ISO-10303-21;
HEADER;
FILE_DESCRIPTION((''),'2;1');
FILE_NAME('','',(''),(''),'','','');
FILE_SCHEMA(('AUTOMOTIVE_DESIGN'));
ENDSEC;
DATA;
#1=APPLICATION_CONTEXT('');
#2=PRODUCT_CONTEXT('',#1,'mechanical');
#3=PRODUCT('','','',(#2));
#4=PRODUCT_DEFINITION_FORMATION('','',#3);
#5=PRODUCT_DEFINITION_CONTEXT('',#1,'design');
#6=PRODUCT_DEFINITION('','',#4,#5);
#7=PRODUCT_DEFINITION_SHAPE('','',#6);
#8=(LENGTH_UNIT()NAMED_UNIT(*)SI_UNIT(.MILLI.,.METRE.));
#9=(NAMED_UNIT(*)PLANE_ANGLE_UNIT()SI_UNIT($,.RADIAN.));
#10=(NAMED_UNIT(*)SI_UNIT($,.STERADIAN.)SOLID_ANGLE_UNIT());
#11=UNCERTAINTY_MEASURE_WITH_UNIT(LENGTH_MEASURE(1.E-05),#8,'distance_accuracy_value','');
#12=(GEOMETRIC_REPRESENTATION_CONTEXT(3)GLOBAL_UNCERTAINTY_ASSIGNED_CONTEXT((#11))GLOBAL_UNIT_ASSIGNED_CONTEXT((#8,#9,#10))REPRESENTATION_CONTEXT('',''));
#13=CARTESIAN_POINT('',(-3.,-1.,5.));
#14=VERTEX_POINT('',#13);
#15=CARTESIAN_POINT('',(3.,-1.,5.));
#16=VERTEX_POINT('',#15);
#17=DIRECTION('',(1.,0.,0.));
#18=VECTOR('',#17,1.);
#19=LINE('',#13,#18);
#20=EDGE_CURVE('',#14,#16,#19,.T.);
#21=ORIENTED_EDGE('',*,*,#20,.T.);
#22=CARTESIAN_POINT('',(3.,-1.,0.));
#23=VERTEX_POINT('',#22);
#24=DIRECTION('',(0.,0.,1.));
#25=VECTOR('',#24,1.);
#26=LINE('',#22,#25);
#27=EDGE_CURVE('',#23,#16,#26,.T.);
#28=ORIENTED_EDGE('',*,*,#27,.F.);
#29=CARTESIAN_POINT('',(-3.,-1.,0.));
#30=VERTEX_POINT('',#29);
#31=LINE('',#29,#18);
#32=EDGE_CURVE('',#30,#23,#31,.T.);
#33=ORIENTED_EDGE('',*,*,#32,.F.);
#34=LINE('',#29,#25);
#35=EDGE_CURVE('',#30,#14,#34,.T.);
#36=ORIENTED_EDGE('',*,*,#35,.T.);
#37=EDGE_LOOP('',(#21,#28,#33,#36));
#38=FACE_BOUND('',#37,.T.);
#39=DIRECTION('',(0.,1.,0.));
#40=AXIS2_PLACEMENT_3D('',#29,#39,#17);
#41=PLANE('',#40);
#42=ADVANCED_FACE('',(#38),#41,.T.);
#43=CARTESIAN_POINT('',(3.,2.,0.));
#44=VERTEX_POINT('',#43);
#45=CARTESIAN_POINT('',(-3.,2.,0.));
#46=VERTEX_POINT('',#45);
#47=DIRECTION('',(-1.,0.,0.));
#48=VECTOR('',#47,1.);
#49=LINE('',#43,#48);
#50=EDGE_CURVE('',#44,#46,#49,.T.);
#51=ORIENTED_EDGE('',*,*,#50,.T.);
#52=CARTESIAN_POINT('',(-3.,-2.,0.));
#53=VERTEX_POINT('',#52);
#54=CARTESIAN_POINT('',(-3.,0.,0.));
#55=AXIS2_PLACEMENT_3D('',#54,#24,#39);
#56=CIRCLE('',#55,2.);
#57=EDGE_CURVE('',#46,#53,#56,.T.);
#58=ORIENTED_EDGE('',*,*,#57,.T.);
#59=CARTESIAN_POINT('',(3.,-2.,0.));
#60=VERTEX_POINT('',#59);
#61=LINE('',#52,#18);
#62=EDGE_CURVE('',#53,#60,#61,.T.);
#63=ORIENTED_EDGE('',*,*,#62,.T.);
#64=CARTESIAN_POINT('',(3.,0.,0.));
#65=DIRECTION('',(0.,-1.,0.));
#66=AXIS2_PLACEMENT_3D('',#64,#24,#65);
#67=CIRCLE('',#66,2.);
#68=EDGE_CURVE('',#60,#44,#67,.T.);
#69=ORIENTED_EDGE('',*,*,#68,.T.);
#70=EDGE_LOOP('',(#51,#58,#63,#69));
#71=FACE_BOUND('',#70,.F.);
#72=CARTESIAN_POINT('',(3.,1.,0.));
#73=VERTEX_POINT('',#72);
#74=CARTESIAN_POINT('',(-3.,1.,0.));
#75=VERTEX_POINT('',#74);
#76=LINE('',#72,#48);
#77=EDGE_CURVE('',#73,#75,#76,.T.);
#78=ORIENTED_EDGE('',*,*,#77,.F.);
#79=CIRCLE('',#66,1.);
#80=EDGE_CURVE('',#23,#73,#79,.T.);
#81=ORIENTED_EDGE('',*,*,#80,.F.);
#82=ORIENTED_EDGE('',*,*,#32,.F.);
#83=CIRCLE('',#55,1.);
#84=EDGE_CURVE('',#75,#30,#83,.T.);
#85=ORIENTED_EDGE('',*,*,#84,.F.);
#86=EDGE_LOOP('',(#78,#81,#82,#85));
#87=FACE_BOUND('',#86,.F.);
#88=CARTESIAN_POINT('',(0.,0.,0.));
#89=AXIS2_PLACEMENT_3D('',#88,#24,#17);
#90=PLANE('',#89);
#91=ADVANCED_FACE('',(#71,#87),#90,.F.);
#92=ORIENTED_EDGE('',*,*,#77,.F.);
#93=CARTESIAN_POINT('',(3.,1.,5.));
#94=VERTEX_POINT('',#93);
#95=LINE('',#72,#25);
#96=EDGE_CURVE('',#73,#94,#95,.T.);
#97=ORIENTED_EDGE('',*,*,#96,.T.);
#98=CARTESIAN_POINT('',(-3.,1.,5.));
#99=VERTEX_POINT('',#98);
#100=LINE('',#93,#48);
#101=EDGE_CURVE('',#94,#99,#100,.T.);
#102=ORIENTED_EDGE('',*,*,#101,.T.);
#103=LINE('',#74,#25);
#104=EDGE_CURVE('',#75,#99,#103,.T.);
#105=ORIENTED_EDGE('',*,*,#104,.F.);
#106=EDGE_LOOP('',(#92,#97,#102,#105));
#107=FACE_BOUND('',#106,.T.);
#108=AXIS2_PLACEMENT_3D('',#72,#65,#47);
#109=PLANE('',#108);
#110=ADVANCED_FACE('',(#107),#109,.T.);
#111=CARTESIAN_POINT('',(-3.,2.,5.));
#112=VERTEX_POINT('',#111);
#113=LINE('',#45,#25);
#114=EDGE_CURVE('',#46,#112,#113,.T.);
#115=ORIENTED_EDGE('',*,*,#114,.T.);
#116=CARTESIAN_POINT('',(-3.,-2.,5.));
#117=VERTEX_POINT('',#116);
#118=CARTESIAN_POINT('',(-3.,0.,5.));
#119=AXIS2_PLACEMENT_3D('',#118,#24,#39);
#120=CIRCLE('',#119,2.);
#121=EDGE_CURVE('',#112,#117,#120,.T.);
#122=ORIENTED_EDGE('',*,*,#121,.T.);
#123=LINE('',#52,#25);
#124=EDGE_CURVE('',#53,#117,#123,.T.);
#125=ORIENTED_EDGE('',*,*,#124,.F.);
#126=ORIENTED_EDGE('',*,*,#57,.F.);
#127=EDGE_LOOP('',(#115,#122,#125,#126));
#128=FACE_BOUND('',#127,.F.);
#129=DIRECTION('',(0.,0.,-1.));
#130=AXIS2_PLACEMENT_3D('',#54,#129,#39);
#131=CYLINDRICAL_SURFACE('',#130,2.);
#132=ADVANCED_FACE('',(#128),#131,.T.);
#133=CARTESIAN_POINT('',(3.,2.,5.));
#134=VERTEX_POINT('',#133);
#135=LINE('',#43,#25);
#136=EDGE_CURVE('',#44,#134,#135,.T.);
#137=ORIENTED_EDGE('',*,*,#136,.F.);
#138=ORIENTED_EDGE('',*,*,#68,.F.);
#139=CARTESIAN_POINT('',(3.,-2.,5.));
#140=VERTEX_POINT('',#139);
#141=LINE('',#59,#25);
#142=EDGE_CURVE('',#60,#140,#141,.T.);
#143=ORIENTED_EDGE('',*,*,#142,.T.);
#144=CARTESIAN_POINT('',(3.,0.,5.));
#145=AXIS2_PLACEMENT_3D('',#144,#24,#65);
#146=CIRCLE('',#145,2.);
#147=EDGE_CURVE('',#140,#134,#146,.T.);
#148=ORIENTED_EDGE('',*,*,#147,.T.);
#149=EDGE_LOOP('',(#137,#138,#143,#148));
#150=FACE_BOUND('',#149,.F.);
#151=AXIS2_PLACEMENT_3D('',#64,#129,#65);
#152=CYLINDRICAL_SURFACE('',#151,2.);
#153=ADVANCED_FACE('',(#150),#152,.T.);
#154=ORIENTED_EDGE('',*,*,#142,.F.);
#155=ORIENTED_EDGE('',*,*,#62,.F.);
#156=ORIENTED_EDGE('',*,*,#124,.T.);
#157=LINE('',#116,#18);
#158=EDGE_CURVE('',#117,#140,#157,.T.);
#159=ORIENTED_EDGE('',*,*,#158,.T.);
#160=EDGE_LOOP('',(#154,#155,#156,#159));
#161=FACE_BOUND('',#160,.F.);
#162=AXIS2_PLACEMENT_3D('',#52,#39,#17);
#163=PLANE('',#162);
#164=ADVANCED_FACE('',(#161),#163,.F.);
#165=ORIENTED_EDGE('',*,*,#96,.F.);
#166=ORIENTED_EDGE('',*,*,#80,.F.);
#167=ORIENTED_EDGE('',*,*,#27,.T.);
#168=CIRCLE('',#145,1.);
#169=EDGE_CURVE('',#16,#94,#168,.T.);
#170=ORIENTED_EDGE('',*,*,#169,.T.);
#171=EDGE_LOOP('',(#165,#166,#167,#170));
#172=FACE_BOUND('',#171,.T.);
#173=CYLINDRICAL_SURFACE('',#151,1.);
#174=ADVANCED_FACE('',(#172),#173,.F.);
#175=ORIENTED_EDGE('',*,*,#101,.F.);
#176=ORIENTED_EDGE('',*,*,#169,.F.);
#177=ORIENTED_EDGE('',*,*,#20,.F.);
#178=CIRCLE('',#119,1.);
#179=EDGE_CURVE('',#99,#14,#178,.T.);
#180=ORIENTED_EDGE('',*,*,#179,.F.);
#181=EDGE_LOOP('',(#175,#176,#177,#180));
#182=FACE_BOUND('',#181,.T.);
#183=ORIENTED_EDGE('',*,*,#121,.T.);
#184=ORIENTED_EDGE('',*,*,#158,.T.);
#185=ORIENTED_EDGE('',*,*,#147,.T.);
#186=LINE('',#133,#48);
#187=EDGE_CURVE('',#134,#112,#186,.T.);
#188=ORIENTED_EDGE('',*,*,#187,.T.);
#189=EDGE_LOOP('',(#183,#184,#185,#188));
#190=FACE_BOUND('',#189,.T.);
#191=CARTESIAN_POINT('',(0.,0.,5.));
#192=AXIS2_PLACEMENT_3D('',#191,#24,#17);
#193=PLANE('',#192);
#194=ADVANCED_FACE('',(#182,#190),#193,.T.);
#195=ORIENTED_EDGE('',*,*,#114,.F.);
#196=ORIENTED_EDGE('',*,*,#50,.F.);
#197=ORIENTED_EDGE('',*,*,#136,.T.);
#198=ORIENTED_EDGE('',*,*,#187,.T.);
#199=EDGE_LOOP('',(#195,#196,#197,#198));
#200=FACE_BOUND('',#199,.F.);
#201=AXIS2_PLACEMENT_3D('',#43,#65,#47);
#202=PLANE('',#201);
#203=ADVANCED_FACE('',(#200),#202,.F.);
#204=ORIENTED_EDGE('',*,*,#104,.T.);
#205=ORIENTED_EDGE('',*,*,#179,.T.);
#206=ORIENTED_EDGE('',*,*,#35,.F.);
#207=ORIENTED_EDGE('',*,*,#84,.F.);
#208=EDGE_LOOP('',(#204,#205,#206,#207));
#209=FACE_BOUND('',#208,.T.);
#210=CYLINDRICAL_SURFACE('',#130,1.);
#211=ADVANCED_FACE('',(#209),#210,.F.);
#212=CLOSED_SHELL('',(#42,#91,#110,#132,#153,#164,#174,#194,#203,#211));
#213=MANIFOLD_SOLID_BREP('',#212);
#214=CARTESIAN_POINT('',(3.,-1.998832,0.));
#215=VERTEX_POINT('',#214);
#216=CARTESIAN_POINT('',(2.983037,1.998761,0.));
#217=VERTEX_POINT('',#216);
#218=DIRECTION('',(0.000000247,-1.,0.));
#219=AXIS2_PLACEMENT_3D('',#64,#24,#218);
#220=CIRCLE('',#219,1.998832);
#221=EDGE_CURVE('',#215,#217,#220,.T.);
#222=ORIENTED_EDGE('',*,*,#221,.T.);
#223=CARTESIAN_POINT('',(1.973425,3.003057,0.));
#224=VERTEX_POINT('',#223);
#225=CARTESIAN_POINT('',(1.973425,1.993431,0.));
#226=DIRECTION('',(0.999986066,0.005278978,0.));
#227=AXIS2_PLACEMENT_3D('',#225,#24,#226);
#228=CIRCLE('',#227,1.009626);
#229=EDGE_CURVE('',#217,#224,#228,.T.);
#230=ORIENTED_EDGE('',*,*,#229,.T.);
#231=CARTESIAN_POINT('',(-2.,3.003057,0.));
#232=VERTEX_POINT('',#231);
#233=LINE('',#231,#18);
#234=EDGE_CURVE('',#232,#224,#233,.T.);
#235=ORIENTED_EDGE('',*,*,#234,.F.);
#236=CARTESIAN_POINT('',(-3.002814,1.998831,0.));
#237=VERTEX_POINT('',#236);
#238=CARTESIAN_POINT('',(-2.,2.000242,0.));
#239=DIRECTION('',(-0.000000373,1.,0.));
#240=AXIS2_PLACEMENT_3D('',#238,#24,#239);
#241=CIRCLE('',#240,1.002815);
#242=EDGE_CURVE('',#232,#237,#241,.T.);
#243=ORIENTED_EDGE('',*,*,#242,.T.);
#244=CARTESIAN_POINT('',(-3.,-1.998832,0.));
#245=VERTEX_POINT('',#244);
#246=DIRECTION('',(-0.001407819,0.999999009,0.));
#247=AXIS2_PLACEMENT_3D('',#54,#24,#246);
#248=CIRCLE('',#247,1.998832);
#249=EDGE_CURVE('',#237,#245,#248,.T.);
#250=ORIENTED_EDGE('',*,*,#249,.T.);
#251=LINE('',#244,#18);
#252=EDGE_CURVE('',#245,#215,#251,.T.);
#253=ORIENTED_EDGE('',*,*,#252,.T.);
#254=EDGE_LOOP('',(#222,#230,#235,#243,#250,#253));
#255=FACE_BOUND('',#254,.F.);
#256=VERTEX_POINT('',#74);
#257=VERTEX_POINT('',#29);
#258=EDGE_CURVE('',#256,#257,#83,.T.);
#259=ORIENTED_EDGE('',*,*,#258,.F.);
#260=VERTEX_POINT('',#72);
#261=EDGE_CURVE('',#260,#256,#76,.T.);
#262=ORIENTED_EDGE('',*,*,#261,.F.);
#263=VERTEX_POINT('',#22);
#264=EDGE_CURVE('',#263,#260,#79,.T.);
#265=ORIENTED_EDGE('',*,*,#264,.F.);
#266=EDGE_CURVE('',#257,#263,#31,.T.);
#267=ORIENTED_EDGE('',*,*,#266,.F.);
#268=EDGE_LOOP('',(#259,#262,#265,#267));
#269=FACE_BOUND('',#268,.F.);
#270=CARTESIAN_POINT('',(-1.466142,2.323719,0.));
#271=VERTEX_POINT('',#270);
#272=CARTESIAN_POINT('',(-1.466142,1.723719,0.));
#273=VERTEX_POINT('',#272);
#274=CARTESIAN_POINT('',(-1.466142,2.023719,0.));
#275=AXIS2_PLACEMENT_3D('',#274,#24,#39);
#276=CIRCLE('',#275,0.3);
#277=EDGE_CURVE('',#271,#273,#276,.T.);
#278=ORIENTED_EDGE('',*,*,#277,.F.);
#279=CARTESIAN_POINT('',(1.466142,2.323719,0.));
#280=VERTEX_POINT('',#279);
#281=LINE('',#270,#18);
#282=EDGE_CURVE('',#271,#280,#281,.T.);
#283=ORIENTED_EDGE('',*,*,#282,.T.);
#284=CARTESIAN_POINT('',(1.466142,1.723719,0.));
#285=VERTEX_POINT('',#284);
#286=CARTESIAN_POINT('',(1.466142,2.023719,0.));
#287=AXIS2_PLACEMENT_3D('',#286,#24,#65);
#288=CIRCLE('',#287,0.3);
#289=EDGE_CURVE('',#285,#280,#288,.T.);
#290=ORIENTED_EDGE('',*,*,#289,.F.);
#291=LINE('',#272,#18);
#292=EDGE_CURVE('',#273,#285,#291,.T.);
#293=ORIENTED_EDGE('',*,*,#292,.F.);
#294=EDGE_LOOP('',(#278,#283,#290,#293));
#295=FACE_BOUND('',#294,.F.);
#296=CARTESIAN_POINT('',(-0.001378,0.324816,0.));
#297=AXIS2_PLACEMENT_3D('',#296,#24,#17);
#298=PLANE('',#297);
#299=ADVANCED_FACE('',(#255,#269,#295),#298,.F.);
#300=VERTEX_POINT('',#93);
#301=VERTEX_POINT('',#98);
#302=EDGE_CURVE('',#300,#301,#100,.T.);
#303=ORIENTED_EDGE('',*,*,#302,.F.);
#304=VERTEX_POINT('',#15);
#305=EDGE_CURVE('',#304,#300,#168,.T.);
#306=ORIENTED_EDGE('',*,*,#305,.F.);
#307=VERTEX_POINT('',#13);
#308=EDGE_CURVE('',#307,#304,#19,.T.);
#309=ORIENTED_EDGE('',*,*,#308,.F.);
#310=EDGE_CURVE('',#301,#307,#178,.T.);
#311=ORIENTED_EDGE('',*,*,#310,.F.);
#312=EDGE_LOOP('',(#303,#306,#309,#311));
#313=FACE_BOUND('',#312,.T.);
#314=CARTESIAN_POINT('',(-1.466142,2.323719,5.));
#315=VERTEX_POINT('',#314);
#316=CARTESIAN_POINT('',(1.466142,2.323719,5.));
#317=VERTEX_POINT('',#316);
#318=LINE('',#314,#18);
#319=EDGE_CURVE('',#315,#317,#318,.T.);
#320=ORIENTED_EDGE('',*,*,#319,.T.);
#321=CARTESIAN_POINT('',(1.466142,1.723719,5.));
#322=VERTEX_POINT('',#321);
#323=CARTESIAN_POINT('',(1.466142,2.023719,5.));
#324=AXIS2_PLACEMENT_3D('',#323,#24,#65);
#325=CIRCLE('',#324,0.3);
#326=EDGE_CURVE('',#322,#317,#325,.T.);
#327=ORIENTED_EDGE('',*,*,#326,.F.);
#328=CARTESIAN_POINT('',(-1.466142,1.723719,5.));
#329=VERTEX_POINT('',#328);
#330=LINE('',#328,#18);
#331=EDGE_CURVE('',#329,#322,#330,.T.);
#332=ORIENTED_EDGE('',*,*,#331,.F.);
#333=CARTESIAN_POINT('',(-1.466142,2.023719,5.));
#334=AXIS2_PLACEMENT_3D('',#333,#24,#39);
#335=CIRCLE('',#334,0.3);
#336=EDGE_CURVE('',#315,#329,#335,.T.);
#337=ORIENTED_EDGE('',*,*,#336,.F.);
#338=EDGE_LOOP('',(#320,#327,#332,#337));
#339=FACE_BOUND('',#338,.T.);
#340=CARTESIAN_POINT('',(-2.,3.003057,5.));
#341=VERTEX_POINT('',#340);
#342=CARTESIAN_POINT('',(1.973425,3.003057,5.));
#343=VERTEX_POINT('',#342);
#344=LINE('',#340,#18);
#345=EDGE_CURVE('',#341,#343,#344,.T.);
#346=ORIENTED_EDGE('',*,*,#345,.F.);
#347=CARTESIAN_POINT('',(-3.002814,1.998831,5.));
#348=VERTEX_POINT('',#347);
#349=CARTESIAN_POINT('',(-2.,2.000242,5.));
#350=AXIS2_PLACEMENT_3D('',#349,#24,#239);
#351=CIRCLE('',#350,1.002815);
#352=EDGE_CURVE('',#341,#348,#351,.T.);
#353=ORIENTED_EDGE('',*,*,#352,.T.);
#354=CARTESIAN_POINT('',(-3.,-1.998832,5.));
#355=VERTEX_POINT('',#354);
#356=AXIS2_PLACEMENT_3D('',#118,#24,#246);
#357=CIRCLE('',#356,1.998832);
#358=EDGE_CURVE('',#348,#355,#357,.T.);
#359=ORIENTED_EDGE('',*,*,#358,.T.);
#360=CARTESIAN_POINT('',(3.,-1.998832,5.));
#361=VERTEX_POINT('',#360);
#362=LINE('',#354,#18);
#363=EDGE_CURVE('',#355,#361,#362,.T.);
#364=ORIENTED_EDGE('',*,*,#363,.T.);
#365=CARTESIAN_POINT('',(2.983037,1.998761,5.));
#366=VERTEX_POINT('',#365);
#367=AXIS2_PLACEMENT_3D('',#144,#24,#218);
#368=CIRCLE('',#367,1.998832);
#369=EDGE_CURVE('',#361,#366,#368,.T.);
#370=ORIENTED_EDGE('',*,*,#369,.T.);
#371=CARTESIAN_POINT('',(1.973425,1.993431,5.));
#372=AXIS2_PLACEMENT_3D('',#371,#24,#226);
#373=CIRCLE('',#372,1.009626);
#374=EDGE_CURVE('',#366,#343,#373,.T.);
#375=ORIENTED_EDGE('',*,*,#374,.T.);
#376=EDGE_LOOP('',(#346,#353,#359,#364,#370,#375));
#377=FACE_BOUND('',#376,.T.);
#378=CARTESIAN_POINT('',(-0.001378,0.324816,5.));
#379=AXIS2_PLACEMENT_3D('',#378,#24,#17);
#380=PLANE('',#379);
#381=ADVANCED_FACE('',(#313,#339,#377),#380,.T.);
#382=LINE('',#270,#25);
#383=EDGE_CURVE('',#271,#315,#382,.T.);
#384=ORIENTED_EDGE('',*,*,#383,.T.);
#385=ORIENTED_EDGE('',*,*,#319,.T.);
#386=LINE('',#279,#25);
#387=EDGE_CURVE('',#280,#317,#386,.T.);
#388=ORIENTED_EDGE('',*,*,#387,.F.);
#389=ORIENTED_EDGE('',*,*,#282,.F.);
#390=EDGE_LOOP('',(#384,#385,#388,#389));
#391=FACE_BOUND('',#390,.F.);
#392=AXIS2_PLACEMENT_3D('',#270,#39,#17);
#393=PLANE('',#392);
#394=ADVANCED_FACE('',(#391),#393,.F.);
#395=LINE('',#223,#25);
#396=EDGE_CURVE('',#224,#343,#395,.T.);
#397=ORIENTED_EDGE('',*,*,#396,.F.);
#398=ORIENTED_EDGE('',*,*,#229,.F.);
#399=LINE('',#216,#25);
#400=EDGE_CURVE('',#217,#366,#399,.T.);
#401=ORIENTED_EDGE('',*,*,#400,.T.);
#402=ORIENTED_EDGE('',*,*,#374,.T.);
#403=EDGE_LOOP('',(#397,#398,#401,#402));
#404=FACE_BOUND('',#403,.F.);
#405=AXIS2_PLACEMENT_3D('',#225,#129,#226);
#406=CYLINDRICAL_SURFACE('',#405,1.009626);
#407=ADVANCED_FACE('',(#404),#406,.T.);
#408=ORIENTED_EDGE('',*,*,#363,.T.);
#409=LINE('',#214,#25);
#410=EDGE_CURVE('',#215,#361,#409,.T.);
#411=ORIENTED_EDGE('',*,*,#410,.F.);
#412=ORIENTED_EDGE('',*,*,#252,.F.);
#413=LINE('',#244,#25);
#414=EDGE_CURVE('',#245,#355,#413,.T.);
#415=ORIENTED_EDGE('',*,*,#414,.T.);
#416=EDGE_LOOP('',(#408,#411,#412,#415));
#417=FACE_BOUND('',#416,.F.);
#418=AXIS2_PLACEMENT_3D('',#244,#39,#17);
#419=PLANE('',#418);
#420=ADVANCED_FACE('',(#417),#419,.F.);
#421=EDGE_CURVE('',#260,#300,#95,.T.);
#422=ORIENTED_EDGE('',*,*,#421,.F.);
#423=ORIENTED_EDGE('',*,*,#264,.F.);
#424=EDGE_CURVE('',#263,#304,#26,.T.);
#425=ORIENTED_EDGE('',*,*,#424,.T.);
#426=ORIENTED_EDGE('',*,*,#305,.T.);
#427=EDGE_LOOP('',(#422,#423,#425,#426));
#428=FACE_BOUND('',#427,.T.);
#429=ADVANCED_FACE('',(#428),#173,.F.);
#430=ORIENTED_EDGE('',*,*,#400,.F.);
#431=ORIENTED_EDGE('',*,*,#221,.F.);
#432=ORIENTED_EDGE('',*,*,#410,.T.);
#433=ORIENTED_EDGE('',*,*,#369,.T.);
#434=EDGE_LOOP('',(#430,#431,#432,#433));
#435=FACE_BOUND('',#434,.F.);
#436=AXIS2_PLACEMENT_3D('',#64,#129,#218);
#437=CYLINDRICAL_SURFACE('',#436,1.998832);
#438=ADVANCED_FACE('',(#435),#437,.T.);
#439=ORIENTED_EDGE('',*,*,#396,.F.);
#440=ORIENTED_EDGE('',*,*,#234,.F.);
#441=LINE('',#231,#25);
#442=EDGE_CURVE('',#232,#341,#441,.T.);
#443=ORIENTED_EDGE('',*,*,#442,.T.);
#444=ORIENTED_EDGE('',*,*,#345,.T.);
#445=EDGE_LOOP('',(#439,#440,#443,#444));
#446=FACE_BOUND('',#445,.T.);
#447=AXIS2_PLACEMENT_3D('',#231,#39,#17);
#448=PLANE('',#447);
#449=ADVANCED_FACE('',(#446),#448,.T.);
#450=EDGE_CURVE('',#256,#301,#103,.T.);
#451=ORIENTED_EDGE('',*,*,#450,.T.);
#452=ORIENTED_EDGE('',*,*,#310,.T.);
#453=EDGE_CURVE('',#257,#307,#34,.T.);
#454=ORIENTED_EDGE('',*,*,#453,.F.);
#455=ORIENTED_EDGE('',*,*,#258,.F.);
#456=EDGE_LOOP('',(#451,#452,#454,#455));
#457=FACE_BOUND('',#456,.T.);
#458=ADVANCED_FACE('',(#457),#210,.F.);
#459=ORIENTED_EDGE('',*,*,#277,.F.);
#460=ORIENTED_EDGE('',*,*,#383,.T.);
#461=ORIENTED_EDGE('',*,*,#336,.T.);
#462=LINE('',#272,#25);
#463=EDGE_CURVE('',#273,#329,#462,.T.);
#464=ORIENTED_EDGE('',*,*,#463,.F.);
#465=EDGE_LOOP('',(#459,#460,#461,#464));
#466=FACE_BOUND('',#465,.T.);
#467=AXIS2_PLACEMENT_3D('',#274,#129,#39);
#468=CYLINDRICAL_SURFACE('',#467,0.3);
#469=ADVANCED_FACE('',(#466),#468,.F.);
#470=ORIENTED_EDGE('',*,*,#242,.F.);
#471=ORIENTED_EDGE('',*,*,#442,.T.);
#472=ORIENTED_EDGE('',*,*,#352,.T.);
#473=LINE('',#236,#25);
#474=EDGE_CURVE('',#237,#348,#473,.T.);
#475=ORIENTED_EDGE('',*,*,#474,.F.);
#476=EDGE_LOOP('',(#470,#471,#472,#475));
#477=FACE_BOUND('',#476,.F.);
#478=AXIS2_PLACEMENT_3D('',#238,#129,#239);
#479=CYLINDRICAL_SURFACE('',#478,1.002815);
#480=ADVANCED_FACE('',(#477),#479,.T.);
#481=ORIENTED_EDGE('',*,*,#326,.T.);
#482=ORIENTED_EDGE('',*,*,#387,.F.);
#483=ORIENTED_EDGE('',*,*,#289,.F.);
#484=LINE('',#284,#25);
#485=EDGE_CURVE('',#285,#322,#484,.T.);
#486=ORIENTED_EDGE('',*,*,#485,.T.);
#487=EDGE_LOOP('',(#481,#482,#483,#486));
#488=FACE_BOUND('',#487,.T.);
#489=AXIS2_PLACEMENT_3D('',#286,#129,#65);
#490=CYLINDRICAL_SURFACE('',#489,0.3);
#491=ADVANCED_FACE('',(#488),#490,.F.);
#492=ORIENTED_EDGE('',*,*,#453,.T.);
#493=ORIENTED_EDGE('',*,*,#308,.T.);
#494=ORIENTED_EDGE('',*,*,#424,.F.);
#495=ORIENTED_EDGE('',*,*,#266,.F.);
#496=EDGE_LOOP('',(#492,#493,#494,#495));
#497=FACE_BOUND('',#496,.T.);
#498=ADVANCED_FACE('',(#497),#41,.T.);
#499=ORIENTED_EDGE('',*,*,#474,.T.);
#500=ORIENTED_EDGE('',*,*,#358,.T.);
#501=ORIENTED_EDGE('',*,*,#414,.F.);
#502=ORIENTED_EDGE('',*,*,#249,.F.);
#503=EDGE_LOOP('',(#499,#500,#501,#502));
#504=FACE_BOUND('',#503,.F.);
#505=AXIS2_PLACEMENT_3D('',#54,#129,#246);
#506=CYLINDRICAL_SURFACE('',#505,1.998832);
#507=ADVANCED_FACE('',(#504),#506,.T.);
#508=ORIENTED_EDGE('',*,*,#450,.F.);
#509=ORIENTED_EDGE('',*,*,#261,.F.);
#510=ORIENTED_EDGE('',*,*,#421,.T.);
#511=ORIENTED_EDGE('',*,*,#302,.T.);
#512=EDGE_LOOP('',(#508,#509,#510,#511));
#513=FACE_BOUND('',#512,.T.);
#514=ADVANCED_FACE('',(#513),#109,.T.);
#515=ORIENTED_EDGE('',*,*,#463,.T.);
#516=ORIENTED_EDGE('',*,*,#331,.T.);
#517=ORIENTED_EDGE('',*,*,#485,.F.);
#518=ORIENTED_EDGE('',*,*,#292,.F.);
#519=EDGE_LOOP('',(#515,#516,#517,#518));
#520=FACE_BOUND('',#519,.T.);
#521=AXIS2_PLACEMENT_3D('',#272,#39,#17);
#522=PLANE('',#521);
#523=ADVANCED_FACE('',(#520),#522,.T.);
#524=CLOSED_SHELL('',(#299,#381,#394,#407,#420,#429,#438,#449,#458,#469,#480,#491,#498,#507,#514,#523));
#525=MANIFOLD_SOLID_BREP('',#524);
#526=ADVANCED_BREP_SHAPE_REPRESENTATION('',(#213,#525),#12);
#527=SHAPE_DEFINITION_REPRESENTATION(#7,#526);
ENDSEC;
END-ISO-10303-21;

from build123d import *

# Parameters (mm, degrees)
PAD_DEPTH    = 5
PAD001_DEPTH = 5


with BuildPart() as single:
    # Sketch → Pad (new body)
    with BuildSketch(Plane.XY):
        with BuildLine():
            ThreePointArc((-3, 2), (-5, 0), (-3, -2))
            Line((-3, -2), (3, -2))
            ThreePointArc((3, -2), (5, 0), (3, 2))
            Line((3, 2), (-3, 2))
        make_face()
        with BuildLine():
            ThreePointArc((-3, 1), (-4, 0), (-3, -1))
            Line((-3, -1), (3, -1))
            ThreePointArc((3, -1), (4, 0), (3, 1))
            Line((3, 1), (-3, 1))
        make_face(mode=Mode.SUBTRACT)
    extrude(amount=PAD_DEPTH)


with BuildPart() as double:
    # Sketch001 → Pad001 (new body)
    with BuildSketch(Plane.XY):
        with BuildLine():
            ThreePointArc((-3.002814, 1.998831), (-4.998832, -0.001407), (-3, -1.998832))
            Line((-3, -1.998832), (3, -1.998832))
            ThreePointArc((3, -1.998832), (4.998814, 0.008482), (2.983037, 1.998761))
            ThreePointArc((2.983037, 1.998761), (2.685452, 2.709226), (1.973425, 3.003057))
            Line((-2, 3.003057), (1.973425, 3.003057))
            ThreePointArc((-2, 3.003057), (-2.709596, 2.70884), (-3.002814, 1.998831))
        make_face()
        with BuildLine():
            ThreePointArc((-3, 1), (-4, 0), (-3, -1))
            Line((-3, -1), (3, -1))
            ThreePointArc((3, -1), (4, 0), (3, 1))
            Line((3, 1), (-3, 1))
        make_face(mode=Mode.SUBTRACT)
        with BuildLine():
            ThreePointArc((-1.466142, 2.323719), (-1.766142, 2.023719), (-1.466142, 1.723719))
            Line((-1.466142, 1.723719), (1.466142, 1.723719))
            ThreePointArc((1.466142, 1.723719), (1.766142, 2.023719), (1.466142, 2.323719))
            Line((-1.466142, 2.323719), (1.466142, 2.323719))
        make_face(mode=Mode.SUBTRACT)
    extrude(amount=PAD001_DEPTH)


solid = Compound([single.part, double.part])
